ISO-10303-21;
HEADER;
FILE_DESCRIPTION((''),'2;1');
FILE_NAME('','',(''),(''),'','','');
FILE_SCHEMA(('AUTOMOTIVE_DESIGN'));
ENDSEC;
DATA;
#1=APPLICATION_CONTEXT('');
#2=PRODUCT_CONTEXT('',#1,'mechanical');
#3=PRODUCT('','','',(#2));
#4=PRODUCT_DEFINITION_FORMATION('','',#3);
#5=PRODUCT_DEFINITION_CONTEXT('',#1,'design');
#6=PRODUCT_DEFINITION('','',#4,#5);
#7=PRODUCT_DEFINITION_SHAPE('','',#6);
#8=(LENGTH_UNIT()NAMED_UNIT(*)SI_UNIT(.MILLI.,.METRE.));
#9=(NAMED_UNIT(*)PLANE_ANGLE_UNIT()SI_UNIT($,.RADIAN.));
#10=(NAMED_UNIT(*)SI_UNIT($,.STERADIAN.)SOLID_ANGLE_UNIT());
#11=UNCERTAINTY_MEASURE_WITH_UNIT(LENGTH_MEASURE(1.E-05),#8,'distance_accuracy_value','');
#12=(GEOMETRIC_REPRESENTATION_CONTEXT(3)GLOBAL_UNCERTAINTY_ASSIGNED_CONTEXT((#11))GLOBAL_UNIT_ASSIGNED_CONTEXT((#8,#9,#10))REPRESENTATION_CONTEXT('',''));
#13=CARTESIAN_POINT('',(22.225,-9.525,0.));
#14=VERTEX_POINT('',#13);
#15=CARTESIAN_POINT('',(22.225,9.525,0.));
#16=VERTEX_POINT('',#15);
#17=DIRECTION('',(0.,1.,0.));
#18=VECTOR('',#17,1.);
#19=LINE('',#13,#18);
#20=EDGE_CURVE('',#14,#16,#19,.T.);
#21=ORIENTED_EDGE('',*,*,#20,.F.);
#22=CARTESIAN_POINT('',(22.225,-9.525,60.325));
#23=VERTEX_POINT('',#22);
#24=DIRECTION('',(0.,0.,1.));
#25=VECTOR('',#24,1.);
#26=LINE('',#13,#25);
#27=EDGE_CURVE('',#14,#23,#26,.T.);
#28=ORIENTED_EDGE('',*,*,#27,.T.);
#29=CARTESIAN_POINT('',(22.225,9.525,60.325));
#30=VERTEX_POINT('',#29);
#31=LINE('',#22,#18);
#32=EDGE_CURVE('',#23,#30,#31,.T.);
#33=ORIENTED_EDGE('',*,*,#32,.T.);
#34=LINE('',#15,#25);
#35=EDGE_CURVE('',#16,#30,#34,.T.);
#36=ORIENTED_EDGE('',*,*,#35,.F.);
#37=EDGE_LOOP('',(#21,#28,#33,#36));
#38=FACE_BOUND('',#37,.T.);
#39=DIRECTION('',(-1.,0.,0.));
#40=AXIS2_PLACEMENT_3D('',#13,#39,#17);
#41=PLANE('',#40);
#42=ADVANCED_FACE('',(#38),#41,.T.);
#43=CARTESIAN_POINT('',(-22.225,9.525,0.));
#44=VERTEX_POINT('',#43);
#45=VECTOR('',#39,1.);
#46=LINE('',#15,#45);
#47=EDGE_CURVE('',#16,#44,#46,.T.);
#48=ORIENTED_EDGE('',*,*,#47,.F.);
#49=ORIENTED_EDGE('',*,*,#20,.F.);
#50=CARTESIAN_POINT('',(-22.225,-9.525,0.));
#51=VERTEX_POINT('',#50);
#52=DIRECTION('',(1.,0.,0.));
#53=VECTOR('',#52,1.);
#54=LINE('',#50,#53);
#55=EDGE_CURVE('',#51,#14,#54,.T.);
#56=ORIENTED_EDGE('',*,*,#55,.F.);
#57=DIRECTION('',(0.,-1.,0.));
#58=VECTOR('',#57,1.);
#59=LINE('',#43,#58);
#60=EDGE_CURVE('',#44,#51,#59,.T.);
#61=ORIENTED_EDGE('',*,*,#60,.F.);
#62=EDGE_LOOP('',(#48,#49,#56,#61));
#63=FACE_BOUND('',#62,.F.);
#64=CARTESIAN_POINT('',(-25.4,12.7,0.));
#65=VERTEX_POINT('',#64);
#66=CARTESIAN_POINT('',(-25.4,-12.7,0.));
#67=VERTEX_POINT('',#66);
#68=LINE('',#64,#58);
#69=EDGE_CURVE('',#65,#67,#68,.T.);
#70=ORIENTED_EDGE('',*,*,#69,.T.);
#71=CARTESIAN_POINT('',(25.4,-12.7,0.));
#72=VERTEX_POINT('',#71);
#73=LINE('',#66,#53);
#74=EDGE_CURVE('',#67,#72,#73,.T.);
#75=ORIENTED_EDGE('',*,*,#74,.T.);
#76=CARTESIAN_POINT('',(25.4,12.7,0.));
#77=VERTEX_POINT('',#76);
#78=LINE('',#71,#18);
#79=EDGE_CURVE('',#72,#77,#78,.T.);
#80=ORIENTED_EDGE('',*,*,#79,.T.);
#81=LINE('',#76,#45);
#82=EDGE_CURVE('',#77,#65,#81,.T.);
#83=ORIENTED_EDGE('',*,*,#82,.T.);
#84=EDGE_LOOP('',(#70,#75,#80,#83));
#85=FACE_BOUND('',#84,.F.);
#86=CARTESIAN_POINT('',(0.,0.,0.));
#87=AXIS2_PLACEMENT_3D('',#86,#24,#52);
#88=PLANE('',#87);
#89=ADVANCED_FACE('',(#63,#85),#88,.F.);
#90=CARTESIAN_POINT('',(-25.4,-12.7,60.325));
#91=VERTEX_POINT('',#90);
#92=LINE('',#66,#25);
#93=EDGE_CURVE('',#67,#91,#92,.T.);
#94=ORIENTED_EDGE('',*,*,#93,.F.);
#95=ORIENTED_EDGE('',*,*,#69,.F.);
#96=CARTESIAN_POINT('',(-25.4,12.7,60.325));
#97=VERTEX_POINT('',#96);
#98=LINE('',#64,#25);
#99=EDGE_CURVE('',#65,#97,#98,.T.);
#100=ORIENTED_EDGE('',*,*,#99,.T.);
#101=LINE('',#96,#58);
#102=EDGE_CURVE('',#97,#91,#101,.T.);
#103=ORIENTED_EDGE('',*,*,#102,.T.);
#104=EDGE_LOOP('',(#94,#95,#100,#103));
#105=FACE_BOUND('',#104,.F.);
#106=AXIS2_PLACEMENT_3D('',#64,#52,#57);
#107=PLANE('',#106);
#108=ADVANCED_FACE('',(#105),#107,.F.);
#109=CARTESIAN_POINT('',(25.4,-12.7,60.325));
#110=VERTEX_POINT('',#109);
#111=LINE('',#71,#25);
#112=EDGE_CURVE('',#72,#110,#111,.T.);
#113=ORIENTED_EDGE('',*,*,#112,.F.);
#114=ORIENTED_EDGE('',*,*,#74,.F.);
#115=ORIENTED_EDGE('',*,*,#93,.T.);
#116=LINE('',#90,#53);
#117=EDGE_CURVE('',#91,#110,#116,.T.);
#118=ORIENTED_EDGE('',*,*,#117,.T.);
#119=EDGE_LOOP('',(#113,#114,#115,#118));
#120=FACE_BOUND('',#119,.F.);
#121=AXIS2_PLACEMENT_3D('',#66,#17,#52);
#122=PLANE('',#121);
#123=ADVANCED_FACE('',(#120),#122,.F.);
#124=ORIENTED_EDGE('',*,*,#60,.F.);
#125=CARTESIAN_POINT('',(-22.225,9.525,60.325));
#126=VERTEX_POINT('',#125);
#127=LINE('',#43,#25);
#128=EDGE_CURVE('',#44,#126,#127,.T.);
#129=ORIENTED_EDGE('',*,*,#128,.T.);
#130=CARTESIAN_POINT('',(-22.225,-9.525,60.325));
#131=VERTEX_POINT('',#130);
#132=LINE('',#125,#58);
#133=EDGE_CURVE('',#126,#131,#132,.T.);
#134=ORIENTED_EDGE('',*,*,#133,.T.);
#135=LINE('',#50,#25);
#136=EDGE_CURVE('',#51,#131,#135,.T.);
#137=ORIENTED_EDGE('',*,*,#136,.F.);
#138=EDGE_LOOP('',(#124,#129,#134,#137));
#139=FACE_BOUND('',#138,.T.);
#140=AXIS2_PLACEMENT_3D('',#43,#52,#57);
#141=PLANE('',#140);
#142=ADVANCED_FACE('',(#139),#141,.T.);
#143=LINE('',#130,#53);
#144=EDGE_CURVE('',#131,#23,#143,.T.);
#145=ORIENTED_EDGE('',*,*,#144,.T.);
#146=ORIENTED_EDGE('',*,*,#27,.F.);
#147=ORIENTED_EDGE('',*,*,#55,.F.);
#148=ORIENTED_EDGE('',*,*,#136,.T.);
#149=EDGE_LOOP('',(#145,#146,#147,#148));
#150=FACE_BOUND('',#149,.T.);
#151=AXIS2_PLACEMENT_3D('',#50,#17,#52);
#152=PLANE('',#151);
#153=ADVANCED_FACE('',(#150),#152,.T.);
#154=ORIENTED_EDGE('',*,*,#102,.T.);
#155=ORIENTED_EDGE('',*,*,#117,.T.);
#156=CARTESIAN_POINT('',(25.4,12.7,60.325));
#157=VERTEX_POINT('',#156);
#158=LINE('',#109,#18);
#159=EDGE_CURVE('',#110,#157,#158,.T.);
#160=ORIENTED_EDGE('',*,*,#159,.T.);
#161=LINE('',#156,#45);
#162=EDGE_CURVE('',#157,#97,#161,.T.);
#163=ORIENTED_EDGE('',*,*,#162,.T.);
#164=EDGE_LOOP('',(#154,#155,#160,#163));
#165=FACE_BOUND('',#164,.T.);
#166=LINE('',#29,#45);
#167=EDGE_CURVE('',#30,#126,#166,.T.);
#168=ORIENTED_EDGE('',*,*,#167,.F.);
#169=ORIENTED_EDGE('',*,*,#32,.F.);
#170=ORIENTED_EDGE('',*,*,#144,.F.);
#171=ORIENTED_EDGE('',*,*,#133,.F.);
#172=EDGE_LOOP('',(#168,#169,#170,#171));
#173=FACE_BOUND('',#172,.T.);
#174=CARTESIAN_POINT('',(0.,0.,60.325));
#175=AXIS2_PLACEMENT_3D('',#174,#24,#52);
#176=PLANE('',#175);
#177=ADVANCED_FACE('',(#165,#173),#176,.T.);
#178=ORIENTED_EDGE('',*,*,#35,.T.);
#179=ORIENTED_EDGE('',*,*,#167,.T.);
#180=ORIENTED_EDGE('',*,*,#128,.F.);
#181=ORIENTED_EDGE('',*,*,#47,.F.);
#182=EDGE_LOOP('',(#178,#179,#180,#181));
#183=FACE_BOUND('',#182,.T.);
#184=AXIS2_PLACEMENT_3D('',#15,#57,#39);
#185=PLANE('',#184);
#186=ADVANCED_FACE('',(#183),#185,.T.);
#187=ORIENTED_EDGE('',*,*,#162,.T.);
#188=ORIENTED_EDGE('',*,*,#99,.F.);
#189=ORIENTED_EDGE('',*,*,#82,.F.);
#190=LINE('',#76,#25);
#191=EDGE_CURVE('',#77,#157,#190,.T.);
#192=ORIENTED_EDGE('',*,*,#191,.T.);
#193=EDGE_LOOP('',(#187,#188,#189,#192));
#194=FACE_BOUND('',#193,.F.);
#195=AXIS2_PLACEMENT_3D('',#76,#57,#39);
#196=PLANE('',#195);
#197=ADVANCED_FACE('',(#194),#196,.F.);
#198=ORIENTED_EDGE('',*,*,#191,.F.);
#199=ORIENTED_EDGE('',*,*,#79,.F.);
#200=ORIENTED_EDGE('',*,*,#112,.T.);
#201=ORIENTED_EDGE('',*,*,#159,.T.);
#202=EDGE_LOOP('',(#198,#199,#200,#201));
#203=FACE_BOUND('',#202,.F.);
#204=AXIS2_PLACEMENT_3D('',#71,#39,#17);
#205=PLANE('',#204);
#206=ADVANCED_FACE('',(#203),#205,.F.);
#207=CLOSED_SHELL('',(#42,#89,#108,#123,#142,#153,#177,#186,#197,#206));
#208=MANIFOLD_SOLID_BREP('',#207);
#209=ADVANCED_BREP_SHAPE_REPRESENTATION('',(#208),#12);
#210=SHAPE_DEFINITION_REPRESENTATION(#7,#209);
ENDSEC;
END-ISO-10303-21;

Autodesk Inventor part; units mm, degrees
ref_plane "Start Plane" through (0, 0, 0) normal (0, 0, 1) x (1, 0, 0)
ref_plane "End Plane" through (0, 0, 60.325) normal (0, 0, 1) x (1, 0, 0)
sketch "Sketch" plane through (0, 0, 0) normal (0, 0, 1) x (1, 0, 0)
  line L0 (-25.4, -12.7) -> (25.4, -12.7)
  line L1 (25.4, -12.7) -> (25.4, 12.7)
  line L2 (25.4, 12.7) -> (-25.4, 12.7)
  line L3 (-25.4, 12.7) -> (-25.4, -12.7)
  line L4 (-25.4, -12.7) -> (25.4, 12.7) construction
  line L5 (25.4, -12.7) -> (-25.4, 12.7) construction
  line L6 (-22.225, -9.525) -> (22.225, -9.525)
  line L7 (22.225, -9.525) -> (22.225, 9.525)
  line L8 (22.225, 9.525) -> (-22.225, 9.525)
  line L9 (-22.225, 9.525) -> (-22.225, -9.525)
  line L10 (-22.225, -9.525) -> (22.225, 9.525) construction
  line L11 (22.225, -9.525) -> (-22.225, 9.525) construction
  point P0 (0, 0)
  point P1 (0, 0)
  dimension "d0" = 50.8
  dimension "d1" = 25.4
  dimension "d2" = 3.175
  dimension "d3" = 3.175
extrude "Body" add sketch "Sketch" along normal up to surface (60.325 mm away) from surface at 0
sketch "Sketch4" plane through (0, 0, 0) normal (0, 0, 1) x (1, 0, 0)
  line L0 (0, 0) -> (10, 0)
ref_plane "Work Plane4" through (0, 0, 0) normal (0, -1, 0) x (1, 0, 0)
sketch "Sketch5" plane through (0, 0, 0) normal (0, -1, 0) x (1, 0, 0)
  line L0 (-2, 0) -> (12, 0)
  line L1 (-2, 60.325) -> (12, 60.325)
  dimension "d11" = 60.325
ref_plane "Work Plane5" through (-25.4, 419.1, 60.325) normal (0, 0, 1) x (1, 0, 0)
split "Split1" plane through (-25.4, 419.1, 60.325) removes the side toward (0, 0, 1)
equation "\"G_OFFSET_START\" = 0"
equation "\"G_OFFSET_END\" = -12.7"
equation "\"d7\" = length + G_OFFSET_END"
equation "\"G_L\" = d11"
equation "\"length\" = 73.025"
properties part number "2x1inTubing"
